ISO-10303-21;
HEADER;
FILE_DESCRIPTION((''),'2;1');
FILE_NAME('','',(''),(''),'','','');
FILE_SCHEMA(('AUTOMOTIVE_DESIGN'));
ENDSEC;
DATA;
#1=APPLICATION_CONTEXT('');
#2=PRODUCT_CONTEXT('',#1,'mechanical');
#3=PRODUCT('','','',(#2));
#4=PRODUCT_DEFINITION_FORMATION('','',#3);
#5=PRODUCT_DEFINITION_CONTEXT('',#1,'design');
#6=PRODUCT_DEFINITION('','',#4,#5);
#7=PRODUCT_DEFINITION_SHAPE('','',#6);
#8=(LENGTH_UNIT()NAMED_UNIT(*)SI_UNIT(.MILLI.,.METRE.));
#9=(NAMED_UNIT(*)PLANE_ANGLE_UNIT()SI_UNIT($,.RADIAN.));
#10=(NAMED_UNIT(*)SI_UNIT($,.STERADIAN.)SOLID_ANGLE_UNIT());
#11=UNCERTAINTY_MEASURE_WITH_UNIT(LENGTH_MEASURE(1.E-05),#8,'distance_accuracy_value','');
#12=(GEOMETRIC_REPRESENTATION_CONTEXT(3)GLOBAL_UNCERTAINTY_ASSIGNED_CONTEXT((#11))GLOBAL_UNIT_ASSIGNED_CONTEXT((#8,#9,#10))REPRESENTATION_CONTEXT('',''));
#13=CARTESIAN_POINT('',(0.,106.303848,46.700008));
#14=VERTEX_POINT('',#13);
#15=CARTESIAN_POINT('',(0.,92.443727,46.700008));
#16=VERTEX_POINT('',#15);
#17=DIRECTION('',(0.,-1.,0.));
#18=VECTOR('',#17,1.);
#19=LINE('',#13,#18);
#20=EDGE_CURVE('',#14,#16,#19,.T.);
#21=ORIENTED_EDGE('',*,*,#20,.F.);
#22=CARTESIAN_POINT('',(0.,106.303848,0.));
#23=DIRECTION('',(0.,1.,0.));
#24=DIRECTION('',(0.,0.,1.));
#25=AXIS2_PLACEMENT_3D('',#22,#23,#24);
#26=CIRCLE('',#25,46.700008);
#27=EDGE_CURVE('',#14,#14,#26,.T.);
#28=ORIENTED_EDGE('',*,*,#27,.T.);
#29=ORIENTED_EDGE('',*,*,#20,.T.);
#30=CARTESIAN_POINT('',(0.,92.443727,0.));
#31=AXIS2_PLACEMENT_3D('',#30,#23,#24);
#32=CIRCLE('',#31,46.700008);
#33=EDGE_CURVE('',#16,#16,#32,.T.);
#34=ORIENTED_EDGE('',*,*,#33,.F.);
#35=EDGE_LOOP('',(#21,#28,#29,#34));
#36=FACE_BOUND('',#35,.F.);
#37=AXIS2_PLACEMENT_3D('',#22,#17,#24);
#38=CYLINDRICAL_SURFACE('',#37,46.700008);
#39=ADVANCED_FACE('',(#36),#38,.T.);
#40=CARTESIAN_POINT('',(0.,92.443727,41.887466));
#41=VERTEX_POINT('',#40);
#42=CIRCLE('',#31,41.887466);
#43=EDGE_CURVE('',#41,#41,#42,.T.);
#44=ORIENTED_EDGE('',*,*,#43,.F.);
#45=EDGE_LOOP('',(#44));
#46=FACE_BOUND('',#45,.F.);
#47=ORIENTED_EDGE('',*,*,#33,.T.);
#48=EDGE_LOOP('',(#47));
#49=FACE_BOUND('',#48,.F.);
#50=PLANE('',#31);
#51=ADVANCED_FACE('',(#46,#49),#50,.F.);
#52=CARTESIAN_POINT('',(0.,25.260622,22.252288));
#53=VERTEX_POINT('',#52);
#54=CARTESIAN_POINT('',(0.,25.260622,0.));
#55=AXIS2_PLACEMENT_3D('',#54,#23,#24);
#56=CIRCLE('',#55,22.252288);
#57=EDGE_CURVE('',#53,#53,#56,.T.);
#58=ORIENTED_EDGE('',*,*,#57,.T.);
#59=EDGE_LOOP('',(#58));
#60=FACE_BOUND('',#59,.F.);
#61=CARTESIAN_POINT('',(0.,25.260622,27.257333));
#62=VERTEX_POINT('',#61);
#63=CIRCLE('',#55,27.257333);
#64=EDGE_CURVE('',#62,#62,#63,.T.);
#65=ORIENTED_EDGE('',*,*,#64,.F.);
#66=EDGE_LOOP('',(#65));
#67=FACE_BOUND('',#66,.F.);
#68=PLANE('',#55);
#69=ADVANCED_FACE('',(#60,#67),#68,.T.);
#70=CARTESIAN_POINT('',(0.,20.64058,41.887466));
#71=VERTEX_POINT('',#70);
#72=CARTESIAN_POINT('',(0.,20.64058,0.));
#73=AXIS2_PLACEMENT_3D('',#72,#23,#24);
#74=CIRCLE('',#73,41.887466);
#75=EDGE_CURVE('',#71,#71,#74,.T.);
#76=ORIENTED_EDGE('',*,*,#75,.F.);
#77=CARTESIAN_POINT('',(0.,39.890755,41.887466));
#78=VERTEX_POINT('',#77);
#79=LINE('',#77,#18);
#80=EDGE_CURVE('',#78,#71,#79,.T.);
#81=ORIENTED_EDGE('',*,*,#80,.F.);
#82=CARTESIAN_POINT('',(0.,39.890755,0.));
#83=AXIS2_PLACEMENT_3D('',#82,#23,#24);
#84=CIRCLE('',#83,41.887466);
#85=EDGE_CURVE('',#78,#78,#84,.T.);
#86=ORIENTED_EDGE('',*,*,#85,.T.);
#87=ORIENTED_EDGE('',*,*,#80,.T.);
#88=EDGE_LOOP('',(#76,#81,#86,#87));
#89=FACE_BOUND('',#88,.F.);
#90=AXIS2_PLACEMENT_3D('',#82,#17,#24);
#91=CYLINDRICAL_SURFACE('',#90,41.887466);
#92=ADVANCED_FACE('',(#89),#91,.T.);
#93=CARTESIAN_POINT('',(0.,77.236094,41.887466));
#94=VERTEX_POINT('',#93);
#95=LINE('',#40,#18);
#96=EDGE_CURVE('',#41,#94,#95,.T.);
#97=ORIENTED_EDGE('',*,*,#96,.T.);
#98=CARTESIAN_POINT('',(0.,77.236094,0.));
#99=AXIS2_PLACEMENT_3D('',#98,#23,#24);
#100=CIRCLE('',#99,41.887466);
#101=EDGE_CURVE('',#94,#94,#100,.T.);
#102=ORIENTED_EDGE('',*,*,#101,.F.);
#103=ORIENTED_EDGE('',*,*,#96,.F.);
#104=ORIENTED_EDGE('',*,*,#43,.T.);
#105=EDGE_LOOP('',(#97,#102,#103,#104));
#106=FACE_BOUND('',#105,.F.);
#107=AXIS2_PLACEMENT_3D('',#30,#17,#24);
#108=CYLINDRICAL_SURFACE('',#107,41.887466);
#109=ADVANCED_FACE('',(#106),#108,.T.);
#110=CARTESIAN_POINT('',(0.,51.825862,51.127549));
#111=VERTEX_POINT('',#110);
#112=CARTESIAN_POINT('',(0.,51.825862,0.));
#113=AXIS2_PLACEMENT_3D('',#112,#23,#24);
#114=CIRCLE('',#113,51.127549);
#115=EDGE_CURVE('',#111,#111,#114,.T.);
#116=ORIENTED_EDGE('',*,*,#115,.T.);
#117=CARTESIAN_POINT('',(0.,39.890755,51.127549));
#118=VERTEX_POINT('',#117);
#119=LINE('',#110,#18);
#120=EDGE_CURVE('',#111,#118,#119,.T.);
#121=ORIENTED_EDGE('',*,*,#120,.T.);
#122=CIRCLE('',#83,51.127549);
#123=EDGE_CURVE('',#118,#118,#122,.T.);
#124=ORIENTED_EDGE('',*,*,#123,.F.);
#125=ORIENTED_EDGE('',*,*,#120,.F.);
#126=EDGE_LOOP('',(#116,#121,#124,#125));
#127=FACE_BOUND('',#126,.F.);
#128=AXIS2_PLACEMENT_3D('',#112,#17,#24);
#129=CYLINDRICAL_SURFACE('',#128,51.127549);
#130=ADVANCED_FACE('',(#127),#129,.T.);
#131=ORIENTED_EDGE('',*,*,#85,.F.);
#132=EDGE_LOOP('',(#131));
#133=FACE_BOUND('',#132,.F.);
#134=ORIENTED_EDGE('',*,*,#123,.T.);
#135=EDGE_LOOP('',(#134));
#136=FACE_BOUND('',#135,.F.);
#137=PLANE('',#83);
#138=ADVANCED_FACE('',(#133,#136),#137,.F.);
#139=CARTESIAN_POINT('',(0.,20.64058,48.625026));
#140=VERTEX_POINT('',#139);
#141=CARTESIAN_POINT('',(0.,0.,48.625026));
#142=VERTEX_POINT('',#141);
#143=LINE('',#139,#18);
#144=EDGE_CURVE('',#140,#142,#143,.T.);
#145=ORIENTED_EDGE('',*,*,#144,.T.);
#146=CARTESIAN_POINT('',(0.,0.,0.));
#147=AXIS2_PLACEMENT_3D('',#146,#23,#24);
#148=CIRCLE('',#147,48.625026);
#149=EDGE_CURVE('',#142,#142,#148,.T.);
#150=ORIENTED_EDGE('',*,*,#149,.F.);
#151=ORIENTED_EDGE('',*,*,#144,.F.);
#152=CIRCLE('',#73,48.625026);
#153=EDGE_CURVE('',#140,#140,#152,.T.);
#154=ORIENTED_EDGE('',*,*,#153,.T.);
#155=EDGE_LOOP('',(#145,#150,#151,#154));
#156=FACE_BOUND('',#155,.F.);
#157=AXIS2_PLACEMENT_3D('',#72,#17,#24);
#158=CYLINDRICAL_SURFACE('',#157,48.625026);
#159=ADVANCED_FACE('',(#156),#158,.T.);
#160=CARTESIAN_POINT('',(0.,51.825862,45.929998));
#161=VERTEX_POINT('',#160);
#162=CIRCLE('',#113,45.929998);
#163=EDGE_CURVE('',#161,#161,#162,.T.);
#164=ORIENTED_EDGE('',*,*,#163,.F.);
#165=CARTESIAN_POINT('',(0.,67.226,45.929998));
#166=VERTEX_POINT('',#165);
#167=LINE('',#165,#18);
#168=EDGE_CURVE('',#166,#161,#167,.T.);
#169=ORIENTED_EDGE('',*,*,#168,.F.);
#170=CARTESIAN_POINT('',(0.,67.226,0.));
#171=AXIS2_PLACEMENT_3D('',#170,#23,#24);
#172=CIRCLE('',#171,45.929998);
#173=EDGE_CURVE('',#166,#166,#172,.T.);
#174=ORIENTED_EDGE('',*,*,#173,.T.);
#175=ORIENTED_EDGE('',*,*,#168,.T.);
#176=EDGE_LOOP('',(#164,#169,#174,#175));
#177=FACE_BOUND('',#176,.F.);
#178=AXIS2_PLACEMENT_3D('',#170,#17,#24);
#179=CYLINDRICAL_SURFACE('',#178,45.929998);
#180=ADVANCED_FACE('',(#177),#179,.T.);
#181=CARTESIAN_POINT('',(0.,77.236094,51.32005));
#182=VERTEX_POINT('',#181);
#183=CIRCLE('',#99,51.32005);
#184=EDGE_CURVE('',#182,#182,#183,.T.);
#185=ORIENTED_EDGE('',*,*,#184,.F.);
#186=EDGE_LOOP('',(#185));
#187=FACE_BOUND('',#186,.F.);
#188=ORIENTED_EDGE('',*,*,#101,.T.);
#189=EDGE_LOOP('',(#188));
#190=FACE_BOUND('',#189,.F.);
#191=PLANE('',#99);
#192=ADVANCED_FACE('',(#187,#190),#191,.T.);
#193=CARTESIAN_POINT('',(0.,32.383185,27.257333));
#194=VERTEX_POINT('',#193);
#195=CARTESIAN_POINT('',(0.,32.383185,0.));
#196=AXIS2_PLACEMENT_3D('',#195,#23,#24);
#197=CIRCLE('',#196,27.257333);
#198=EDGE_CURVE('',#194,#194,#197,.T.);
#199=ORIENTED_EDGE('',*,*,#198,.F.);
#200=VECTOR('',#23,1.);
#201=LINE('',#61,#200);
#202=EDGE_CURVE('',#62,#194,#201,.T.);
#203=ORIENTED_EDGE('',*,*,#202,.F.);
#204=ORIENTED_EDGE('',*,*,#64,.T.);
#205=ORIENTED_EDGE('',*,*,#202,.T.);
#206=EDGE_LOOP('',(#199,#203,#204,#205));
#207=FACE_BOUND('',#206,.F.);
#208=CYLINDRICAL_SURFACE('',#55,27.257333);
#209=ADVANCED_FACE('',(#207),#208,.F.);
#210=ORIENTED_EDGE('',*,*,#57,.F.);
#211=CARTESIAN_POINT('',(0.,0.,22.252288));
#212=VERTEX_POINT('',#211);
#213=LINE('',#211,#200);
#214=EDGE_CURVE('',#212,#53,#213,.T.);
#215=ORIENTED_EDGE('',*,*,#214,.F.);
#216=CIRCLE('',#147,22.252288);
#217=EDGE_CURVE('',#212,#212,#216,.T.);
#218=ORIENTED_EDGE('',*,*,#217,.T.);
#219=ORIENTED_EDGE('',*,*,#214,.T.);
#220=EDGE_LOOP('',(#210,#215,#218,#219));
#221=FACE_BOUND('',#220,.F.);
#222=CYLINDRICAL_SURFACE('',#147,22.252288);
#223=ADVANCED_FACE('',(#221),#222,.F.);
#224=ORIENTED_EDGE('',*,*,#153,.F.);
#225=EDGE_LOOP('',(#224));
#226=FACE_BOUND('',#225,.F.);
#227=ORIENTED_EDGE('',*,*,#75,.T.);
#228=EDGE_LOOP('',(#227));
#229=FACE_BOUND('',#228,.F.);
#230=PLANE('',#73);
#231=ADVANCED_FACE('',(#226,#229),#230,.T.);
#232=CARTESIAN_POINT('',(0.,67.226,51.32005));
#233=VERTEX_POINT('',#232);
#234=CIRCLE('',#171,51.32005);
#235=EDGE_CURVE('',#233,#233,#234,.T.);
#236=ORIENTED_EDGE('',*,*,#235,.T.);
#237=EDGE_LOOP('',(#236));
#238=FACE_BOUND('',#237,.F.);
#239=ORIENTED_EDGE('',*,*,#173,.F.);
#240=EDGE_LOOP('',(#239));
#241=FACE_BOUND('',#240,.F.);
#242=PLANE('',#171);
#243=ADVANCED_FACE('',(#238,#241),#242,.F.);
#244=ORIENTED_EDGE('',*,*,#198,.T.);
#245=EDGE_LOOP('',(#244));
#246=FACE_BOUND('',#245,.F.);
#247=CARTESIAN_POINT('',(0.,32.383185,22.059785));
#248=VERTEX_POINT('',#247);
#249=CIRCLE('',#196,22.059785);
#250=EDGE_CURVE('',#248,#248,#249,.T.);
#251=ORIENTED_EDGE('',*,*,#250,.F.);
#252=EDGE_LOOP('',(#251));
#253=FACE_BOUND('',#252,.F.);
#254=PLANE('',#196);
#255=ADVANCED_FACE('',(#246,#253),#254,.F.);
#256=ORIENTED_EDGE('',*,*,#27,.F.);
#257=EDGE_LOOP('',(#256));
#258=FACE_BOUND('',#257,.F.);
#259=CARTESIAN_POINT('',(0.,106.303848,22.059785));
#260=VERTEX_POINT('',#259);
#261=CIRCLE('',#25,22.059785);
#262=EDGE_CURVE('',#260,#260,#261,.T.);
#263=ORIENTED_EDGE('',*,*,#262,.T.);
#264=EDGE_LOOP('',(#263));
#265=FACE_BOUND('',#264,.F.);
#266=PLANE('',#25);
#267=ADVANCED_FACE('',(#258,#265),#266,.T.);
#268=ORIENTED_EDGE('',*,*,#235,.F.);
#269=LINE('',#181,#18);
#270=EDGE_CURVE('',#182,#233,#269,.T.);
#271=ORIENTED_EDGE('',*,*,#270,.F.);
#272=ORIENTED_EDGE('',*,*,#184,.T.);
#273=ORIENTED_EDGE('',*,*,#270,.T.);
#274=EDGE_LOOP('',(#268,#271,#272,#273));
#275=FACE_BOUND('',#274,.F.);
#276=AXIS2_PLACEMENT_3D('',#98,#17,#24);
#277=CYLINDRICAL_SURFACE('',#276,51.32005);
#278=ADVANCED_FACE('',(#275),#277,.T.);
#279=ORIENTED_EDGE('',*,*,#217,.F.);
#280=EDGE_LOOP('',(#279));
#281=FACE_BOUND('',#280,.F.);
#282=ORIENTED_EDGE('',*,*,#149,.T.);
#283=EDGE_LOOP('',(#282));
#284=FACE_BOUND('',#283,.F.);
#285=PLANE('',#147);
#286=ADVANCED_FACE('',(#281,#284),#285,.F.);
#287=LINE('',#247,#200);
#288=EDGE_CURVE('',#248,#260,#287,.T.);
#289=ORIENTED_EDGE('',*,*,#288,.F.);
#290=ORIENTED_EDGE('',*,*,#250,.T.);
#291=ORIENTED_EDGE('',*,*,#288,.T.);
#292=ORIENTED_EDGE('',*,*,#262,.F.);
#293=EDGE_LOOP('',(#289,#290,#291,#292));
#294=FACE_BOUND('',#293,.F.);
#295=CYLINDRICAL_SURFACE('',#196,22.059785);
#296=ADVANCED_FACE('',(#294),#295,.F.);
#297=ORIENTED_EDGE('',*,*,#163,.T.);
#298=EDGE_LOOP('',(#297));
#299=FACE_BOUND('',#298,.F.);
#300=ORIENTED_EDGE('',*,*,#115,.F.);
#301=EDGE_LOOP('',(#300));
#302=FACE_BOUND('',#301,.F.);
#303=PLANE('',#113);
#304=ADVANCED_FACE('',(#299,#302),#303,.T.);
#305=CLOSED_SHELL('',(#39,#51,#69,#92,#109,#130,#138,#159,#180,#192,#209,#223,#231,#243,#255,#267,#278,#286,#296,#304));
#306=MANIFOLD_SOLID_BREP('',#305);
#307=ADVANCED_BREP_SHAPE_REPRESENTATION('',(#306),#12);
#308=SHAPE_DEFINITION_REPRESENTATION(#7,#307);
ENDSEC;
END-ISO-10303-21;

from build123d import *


with BuildPart() as f1:
    # F0 (on Right) → F1 (revolve)
    with BuildSketch(Plane.YZ):
        Polygon((0, 48.625026), (0, 22.252288), (25.260622, 22.252288), (25.260622, 27.257333), (32.383185, 27.257333), (32.383185, 22.059785), (106.303848, 22.059785), (106.303848, 46.700008), (92.443727, 46.700008), (92.443727, 41.887466), (77.236094, 41.887466), (77.236094, 51.32005), (67.226, 51.32005), (67.226, 45.929998), (51.825862, 45.929998), (51.825862, 51.127549), (39.890755, 51.127549), (39.890755, 41.887466), (20.64058, 41.887466), (20.64058, 48.625026), align=None)
    revolve(axis=Axis((0, 56.713209, 0), (0, 1, 0)))


solid = f1.part
